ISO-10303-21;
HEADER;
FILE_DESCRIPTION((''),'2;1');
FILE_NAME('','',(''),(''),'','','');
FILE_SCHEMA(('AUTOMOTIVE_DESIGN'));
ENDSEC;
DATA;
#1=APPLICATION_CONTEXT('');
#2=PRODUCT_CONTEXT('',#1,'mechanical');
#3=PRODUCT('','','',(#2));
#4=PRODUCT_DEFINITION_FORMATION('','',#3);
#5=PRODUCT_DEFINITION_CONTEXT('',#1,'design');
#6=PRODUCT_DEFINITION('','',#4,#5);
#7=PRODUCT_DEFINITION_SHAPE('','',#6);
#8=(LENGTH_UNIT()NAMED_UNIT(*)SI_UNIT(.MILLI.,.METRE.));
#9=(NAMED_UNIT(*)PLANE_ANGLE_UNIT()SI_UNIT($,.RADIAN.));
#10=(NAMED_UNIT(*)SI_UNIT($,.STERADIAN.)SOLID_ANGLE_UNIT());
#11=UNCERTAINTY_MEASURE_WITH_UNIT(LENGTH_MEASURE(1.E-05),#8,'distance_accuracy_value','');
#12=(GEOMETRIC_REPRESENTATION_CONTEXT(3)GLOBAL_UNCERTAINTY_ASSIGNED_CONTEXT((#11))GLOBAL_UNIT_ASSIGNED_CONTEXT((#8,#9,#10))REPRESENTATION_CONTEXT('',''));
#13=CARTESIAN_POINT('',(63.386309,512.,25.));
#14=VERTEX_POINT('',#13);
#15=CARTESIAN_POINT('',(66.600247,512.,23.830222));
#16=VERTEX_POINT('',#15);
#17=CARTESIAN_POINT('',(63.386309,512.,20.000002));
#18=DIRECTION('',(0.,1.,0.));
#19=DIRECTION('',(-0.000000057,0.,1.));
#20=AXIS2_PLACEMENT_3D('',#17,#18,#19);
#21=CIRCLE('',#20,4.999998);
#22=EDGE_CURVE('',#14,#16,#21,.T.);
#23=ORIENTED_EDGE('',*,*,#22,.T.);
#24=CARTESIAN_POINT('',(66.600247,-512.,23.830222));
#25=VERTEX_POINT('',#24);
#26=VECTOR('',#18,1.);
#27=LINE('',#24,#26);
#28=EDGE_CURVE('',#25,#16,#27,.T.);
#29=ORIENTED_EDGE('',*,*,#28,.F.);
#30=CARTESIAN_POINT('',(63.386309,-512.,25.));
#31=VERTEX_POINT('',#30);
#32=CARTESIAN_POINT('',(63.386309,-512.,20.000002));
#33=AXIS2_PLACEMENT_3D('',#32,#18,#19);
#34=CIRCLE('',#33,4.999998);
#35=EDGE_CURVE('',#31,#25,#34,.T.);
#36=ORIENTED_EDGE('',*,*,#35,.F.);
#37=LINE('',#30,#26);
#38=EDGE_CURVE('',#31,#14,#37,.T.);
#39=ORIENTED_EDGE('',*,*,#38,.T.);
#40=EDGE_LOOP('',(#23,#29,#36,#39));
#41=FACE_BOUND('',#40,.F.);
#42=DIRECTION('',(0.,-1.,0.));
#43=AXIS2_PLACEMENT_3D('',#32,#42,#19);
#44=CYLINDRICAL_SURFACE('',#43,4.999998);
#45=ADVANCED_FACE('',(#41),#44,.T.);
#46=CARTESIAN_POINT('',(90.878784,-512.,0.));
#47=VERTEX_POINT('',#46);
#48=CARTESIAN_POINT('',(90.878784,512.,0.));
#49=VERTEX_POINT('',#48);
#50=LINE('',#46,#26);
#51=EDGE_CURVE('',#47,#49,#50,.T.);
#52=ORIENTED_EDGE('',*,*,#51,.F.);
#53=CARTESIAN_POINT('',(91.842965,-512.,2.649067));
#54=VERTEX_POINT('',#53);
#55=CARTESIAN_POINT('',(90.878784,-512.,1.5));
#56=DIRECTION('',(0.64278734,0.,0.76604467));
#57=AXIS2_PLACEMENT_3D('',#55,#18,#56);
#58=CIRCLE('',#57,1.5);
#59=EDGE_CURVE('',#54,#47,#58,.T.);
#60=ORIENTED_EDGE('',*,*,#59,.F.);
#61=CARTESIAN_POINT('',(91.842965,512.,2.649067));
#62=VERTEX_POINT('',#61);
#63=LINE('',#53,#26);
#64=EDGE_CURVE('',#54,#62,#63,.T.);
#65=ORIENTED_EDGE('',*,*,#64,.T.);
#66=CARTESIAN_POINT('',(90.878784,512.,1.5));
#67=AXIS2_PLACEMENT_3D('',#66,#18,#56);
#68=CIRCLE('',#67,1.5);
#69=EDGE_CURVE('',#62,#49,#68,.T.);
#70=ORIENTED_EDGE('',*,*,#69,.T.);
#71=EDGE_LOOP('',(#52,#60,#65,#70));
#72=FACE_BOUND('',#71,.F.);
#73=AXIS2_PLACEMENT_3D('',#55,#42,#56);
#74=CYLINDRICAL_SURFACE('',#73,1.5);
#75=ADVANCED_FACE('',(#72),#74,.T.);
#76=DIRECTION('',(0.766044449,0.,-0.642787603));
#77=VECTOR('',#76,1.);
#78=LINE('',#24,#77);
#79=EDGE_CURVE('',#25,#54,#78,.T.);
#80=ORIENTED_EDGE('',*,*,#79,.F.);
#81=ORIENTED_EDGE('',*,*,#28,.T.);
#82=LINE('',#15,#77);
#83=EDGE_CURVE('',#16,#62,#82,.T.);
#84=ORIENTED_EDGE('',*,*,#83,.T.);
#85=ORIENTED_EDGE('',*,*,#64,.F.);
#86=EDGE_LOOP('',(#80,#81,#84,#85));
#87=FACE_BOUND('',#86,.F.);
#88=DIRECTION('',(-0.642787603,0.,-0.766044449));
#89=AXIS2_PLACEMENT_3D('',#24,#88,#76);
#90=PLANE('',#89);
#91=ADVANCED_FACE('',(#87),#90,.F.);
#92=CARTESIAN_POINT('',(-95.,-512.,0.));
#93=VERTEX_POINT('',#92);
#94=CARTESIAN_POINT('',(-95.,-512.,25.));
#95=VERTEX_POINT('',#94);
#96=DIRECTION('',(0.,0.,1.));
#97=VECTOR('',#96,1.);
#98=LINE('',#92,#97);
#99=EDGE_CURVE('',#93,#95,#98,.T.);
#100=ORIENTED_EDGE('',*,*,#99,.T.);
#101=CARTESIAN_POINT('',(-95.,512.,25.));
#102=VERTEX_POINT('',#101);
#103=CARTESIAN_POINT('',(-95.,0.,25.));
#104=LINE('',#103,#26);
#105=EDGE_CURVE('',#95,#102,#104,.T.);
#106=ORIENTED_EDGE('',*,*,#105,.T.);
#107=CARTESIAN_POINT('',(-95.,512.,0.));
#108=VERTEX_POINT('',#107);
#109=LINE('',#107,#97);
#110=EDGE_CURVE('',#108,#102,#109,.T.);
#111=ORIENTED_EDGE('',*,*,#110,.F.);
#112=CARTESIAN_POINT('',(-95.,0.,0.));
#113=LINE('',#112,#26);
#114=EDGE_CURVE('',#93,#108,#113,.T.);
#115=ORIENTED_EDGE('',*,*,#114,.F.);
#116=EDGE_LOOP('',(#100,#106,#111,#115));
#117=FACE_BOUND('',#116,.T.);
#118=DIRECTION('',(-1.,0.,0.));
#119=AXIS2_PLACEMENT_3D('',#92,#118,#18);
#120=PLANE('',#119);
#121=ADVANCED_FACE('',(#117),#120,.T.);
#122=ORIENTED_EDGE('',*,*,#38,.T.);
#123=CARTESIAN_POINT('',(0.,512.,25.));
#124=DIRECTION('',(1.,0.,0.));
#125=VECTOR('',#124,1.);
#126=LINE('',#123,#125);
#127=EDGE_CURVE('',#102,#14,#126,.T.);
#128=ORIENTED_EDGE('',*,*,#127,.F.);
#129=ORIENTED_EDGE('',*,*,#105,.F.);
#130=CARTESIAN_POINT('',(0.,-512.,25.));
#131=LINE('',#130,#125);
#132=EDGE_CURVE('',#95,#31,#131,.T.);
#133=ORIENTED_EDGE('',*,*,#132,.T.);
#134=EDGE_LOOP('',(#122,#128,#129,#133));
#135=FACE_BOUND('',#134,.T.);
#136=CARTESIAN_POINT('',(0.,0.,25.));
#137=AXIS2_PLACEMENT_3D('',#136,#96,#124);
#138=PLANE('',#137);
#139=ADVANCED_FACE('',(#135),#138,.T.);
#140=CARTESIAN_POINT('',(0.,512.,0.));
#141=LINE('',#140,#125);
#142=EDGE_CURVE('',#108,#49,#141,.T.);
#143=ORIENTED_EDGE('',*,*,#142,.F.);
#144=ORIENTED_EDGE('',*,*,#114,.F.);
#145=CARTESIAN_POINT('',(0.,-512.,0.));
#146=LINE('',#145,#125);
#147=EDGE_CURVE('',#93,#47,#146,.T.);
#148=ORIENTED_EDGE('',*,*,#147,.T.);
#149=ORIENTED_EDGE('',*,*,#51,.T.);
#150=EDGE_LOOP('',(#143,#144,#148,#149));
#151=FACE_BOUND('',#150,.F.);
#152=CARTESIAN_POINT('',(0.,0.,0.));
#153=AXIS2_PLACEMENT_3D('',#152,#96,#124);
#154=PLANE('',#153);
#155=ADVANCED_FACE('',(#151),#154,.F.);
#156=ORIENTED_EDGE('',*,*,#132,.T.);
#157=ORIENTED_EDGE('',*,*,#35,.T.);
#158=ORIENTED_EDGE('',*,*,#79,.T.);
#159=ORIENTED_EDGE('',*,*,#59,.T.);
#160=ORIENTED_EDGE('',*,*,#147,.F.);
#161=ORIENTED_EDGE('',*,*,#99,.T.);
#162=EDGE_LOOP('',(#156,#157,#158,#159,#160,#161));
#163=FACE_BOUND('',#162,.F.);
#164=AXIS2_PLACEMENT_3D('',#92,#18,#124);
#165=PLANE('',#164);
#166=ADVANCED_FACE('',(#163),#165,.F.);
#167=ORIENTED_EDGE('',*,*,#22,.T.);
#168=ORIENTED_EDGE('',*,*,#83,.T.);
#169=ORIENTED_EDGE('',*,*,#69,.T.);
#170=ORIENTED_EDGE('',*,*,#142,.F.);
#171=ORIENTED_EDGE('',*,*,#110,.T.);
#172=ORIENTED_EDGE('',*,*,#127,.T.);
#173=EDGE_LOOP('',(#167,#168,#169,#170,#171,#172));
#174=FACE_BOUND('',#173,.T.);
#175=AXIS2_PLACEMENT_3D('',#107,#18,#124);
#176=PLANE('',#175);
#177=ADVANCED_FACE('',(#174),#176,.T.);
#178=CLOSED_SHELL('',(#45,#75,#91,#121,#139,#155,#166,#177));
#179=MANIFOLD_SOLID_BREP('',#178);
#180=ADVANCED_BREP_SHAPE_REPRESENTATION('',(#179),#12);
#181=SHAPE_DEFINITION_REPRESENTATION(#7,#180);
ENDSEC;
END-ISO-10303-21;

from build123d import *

# Parameters (mm, degrees)
F0_W     = 190
F0_H     = 1024
F1_DEPTH = 25
F3_DEPTH = 1024


with BuildPart() as f1:
    # F0 (on Top) → F1 (new body)
    with BuildSketch(Plane.XY):
        Rectangle(F0_W, F0_H)
    extrude(amount=F1_DEPTH)

    # F2 (on face) → F3 (cut)
    with BuildSketch(Plane.XZ.offset(512)):
        with BuildLine():
            ThreePointArc((63.386309, 25), (65.09641, 24.698463), (66.600247, 23.830222))
            Line((66.600247, 23.830222), (91.842965, 2.649067))
            ThreePointArc((91.842965, 2.649067), (92.288323, 0.98697), (90.878784, 0))
            Line((90.878784, 0), (95, 0))
            Line((95, 0), (95, 25))
            Line((95, 25), (65.20616, 25))
            Line((65.20616, 25), (63.386309, 25))
        make_face()
    extrude(amount=-F3_DEPTH, mode=Mode.SUBTRACT)


solid = f1.part
